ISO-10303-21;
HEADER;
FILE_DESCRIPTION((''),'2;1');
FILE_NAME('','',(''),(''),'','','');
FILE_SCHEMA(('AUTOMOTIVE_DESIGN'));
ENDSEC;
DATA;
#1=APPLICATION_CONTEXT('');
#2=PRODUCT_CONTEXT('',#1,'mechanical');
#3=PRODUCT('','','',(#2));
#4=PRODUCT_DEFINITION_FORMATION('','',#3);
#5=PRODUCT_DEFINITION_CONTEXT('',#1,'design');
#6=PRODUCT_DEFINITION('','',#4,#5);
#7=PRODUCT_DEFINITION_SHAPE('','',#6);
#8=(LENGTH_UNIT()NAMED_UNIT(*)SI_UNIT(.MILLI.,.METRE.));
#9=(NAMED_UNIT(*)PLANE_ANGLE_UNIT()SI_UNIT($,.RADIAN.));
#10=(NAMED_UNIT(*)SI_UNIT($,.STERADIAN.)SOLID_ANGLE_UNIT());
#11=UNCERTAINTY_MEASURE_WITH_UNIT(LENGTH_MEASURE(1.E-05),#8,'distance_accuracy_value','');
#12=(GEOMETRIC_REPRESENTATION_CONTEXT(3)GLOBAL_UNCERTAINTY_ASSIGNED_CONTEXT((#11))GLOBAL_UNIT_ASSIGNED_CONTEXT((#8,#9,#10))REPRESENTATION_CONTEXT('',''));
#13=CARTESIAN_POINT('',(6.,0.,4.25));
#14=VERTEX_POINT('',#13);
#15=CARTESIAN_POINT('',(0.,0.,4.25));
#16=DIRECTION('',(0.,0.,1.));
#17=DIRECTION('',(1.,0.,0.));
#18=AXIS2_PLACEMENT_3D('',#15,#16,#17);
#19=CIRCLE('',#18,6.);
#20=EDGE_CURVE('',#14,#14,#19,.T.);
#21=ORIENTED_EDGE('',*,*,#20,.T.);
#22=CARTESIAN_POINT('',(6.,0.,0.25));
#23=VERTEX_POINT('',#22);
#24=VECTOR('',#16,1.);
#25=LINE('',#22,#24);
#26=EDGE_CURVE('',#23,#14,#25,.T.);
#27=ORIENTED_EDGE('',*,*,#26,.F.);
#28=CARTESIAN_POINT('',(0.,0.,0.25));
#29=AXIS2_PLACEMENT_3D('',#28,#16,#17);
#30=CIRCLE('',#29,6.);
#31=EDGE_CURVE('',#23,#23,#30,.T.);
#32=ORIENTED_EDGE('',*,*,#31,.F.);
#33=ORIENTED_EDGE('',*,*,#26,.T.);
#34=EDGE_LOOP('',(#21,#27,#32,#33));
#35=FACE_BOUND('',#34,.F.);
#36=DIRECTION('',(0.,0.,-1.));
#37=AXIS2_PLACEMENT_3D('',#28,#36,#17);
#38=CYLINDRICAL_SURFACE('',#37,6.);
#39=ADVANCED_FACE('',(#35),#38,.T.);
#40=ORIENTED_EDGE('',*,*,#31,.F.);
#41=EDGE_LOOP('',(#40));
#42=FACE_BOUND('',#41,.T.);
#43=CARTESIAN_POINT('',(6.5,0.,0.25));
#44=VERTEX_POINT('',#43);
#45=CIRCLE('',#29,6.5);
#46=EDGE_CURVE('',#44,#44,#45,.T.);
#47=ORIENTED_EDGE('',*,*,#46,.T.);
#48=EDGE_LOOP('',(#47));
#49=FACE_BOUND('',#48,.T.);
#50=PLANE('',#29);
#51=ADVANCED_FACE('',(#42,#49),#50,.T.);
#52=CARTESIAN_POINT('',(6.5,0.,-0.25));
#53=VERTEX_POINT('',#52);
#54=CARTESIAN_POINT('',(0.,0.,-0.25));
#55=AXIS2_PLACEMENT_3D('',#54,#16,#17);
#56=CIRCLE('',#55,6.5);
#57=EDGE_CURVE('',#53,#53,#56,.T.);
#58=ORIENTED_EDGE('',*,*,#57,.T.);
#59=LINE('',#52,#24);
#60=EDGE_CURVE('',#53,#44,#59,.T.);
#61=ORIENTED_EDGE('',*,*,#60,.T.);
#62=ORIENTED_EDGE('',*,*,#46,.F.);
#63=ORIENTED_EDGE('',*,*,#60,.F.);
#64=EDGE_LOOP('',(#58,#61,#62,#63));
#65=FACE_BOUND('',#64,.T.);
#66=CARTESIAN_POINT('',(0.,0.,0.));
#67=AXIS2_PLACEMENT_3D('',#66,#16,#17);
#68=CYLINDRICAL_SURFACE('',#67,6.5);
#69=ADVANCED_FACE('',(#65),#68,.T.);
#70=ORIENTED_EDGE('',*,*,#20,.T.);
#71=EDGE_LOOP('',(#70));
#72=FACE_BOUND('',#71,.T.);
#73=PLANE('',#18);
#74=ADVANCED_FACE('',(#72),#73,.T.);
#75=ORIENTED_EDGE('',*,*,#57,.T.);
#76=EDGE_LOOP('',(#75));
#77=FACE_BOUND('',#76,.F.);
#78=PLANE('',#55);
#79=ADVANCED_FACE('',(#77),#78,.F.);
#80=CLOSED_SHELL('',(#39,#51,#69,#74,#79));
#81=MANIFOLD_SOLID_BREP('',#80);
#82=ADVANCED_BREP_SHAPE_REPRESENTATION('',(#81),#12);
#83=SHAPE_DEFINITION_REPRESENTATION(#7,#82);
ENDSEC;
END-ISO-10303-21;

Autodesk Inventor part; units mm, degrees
ref_plane "YZ Plane" through (0, 0, 0) normal (1, 0, 0) x (0, 1, 0)
ref_plane "XZ Plane" through (0, 0, 0) normal (0, 1, 0) x (-1, 0, 0)
ref_plane "XY Plane" through (0, 0, 0) normal (0, 0, 1) x (1, 0, 0)
sketch "スケッチ1" plane through (0, 0, 0) normal (0, 0, 1) x (1, 0, 0)
  line L0 (1.9, 1.9) -> (-1.9, 1.9) projected
  line L1 (-1.9, 1.9) -> (-1.9, -1.9) projected
  line L2 (-1.9, -1.9) -> (1.9, -1.9) projected
  line L3 (1.9, -1.9) -> (1.9, 1.9) projected
  circle A0 centre (0, 0) radius 0.9 projected
  circle A1 centre (0, 0) radius 3.5 projected
  circle A2 centre (0, 0) radius 6.5
  dimension "d0" = 13
extrude "押し出し1" add sketch "スケッチ1" along normal mid plane 0.5 contours L3 L2 L1 L0 | A0 | A1 | A2
sketch "スケッチ2" plane through (0, 0, 0.25) normal (0, 0, 1) x (1, 0, 0)
  circle A0 centre (0, 0) radius 6
  dimension "d3" = 12
extrude "押し出し2" add sketch "スケッチ2" along normal blind 4
properties part number "Cap"
